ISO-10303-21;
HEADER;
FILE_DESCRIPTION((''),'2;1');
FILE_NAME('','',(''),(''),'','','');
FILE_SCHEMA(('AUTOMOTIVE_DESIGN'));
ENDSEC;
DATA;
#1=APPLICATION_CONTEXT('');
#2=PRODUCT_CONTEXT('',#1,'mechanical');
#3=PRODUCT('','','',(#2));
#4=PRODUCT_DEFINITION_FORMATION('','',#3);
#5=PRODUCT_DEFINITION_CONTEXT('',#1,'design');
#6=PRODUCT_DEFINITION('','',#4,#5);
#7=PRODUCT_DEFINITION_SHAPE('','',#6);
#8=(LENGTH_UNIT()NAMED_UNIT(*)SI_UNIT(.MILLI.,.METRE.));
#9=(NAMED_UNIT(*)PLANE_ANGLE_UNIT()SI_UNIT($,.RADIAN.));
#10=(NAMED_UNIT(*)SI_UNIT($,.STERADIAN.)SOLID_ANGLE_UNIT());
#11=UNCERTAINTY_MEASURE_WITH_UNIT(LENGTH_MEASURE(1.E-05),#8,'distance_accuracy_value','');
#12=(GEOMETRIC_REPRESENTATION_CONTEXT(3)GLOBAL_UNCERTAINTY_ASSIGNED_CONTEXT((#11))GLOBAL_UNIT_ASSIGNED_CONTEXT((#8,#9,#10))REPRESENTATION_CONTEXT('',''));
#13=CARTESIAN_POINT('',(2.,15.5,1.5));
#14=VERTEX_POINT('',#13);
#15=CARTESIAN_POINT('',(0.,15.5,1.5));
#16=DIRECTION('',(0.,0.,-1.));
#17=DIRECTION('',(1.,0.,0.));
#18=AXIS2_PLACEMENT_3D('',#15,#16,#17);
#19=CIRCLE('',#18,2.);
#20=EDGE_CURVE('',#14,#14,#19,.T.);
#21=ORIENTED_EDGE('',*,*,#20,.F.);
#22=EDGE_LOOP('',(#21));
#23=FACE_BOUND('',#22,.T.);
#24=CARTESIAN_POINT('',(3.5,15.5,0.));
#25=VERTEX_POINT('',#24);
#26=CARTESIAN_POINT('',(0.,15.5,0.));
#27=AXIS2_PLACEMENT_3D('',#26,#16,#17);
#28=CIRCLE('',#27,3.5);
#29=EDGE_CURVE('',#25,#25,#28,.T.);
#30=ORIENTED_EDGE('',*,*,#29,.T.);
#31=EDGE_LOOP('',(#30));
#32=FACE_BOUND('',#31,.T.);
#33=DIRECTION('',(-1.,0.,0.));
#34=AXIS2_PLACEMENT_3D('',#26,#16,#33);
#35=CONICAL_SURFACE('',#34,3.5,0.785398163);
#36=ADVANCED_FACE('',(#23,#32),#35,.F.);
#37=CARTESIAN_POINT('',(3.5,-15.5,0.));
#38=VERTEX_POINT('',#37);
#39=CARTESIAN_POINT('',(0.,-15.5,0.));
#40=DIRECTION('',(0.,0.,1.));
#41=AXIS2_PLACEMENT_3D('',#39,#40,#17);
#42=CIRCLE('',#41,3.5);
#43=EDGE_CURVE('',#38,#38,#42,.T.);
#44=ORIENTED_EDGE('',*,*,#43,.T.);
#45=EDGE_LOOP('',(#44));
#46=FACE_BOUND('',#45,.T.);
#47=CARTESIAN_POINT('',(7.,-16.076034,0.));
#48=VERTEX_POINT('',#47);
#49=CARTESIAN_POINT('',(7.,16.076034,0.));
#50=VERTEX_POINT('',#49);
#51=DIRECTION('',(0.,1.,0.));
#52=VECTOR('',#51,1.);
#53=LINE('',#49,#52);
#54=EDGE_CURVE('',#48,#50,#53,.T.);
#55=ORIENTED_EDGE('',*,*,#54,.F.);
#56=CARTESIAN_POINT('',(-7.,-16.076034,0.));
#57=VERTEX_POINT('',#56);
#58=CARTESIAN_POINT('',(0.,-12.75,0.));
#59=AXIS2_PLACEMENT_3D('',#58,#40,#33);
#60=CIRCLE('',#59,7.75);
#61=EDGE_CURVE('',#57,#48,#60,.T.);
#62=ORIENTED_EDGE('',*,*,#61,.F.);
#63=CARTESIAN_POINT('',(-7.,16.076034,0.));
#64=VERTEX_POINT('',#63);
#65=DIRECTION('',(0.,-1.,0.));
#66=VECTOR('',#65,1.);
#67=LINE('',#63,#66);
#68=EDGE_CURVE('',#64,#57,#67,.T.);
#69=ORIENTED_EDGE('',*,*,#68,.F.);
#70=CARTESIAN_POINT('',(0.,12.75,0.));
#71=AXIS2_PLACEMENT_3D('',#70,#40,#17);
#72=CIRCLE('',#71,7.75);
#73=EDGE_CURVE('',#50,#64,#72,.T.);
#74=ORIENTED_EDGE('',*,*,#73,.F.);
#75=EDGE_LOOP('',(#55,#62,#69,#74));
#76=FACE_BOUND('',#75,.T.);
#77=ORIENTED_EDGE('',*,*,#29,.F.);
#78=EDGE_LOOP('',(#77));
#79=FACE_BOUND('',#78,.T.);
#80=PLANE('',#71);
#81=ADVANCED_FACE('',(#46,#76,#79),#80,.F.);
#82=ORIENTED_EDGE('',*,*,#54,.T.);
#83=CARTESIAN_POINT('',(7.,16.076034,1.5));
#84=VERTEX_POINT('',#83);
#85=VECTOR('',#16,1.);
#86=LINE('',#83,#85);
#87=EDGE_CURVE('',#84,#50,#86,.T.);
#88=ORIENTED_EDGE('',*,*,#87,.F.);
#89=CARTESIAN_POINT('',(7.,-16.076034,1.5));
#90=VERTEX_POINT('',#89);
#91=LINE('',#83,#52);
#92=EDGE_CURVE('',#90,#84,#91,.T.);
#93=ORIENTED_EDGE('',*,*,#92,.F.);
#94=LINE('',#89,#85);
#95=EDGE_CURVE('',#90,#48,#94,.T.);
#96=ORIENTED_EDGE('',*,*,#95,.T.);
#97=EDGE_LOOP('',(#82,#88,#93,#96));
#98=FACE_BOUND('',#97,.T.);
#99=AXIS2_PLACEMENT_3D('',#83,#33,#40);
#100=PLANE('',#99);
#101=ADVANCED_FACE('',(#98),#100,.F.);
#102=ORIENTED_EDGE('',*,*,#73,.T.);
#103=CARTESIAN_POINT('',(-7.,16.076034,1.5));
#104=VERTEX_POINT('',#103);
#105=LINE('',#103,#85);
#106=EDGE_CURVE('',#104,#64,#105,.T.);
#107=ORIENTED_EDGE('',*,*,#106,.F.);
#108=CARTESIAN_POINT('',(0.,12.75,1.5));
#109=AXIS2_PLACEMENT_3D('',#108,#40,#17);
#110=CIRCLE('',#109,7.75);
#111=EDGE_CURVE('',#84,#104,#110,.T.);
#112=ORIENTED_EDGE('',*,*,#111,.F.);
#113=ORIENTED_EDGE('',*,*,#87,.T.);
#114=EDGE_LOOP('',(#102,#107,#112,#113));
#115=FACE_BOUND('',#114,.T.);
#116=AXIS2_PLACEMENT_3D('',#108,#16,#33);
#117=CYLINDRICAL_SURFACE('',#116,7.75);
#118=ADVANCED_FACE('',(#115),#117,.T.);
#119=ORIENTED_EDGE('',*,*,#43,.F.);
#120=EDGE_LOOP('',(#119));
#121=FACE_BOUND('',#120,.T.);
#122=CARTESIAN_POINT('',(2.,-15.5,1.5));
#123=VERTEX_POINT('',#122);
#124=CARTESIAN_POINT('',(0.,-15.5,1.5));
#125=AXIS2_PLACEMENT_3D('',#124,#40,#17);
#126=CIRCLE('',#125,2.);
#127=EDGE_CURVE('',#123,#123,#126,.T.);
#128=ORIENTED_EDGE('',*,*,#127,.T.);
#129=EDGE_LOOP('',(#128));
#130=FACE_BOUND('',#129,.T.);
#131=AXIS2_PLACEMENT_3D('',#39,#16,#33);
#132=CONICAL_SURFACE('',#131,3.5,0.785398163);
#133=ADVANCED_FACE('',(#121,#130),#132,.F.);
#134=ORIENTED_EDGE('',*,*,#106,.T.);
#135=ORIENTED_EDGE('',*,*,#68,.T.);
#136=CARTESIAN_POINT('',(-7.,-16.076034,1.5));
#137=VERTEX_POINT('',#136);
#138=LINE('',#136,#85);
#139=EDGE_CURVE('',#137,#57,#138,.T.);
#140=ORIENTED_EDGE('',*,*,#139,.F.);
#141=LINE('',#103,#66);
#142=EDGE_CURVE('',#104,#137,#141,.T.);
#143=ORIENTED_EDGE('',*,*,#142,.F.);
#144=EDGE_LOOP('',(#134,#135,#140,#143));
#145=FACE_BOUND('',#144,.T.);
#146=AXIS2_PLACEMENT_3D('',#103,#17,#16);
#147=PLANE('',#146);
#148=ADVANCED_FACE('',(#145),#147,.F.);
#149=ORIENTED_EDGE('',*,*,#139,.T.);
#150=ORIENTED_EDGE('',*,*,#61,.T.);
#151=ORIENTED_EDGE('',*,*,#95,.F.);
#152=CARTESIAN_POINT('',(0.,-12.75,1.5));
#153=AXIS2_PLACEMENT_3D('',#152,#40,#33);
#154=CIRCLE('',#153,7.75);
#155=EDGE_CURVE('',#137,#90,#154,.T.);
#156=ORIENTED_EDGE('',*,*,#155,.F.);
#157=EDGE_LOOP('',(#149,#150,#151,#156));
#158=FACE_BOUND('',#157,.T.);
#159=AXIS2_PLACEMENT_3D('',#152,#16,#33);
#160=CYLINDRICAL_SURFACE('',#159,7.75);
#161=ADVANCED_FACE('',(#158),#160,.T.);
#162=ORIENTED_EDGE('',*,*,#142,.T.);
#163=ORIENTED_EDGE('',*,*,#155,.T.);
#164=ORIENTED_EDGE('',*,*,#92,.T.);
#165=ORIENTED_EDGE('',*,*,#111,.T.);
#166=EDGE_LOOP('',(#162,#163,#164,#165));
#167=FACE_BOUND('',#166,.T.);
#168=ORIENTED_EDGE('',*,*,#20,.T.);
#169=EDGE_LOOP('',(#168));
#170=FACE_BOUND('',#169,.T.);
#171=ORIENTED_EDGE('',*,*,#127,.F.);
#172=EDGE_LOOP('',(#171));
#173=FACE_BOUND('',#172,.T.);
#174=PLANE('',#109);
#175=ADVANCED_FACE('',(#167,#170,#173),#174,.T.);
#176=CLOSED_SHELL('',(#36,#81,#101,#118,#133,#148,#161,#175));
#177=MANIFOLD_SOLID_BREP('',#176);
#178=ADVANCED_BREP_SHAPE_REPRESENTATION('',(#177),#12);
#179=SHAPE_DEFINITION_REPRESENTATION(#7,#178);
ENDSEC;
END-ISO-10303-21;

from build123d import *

# Parameters (mm, degrees)
EXTRUDE1_DEPTH = 1.5


with BuildPart() as part:
    # Sketch1 → Extrude1 (new body)
    with BuildSketch(Plane.XY):
        with BuildLine():
            Line((-7, 16.076033674), (-7, -16.076033674))
            ThreePointArc((-7, -16.076033674), (0, -20.5), (7, -16.076033674))
            Line((7, -16.076033674), (7, 16.076033674))
            ThreePointArc((7, 16.076033674), (0, 20.5), (-7, 16.076033674))
        make_face()
    extrude(amount=EXTRUDE1_DEPTH)

    # Sketch2 → Cut-Revolve2 (revolve, cut)
    with BuildSketch(Plane(origin=(0, 0, 0), x_dir=(0, 0, -1), z_dir=(1, 0, 0)), mode=Mode.PRIVATE) as cut_revolve2_sk:
        Polygon((0, -15.5), (0, -12), (-1.5, -13.5), (-1.5, -15.5), align=None)
    cut_revolve2 = revolve(cut_revolve2_sk.sketch.rotate(Axis((0, -15.5, 16.959144712), (0, 0, -1)), 90), axis=Axis((0, -15.5, 16.959144712), (0, 0, -1)), mode=Mode.SUBTRACT)  # turned: the seam where the file's is

    # Mirror1: Cut-Revolve2 across plane
    add(cut_revolve2.mirror(Plane.ZX), mode=Mode.SUBTRACT)


solid = part.part
